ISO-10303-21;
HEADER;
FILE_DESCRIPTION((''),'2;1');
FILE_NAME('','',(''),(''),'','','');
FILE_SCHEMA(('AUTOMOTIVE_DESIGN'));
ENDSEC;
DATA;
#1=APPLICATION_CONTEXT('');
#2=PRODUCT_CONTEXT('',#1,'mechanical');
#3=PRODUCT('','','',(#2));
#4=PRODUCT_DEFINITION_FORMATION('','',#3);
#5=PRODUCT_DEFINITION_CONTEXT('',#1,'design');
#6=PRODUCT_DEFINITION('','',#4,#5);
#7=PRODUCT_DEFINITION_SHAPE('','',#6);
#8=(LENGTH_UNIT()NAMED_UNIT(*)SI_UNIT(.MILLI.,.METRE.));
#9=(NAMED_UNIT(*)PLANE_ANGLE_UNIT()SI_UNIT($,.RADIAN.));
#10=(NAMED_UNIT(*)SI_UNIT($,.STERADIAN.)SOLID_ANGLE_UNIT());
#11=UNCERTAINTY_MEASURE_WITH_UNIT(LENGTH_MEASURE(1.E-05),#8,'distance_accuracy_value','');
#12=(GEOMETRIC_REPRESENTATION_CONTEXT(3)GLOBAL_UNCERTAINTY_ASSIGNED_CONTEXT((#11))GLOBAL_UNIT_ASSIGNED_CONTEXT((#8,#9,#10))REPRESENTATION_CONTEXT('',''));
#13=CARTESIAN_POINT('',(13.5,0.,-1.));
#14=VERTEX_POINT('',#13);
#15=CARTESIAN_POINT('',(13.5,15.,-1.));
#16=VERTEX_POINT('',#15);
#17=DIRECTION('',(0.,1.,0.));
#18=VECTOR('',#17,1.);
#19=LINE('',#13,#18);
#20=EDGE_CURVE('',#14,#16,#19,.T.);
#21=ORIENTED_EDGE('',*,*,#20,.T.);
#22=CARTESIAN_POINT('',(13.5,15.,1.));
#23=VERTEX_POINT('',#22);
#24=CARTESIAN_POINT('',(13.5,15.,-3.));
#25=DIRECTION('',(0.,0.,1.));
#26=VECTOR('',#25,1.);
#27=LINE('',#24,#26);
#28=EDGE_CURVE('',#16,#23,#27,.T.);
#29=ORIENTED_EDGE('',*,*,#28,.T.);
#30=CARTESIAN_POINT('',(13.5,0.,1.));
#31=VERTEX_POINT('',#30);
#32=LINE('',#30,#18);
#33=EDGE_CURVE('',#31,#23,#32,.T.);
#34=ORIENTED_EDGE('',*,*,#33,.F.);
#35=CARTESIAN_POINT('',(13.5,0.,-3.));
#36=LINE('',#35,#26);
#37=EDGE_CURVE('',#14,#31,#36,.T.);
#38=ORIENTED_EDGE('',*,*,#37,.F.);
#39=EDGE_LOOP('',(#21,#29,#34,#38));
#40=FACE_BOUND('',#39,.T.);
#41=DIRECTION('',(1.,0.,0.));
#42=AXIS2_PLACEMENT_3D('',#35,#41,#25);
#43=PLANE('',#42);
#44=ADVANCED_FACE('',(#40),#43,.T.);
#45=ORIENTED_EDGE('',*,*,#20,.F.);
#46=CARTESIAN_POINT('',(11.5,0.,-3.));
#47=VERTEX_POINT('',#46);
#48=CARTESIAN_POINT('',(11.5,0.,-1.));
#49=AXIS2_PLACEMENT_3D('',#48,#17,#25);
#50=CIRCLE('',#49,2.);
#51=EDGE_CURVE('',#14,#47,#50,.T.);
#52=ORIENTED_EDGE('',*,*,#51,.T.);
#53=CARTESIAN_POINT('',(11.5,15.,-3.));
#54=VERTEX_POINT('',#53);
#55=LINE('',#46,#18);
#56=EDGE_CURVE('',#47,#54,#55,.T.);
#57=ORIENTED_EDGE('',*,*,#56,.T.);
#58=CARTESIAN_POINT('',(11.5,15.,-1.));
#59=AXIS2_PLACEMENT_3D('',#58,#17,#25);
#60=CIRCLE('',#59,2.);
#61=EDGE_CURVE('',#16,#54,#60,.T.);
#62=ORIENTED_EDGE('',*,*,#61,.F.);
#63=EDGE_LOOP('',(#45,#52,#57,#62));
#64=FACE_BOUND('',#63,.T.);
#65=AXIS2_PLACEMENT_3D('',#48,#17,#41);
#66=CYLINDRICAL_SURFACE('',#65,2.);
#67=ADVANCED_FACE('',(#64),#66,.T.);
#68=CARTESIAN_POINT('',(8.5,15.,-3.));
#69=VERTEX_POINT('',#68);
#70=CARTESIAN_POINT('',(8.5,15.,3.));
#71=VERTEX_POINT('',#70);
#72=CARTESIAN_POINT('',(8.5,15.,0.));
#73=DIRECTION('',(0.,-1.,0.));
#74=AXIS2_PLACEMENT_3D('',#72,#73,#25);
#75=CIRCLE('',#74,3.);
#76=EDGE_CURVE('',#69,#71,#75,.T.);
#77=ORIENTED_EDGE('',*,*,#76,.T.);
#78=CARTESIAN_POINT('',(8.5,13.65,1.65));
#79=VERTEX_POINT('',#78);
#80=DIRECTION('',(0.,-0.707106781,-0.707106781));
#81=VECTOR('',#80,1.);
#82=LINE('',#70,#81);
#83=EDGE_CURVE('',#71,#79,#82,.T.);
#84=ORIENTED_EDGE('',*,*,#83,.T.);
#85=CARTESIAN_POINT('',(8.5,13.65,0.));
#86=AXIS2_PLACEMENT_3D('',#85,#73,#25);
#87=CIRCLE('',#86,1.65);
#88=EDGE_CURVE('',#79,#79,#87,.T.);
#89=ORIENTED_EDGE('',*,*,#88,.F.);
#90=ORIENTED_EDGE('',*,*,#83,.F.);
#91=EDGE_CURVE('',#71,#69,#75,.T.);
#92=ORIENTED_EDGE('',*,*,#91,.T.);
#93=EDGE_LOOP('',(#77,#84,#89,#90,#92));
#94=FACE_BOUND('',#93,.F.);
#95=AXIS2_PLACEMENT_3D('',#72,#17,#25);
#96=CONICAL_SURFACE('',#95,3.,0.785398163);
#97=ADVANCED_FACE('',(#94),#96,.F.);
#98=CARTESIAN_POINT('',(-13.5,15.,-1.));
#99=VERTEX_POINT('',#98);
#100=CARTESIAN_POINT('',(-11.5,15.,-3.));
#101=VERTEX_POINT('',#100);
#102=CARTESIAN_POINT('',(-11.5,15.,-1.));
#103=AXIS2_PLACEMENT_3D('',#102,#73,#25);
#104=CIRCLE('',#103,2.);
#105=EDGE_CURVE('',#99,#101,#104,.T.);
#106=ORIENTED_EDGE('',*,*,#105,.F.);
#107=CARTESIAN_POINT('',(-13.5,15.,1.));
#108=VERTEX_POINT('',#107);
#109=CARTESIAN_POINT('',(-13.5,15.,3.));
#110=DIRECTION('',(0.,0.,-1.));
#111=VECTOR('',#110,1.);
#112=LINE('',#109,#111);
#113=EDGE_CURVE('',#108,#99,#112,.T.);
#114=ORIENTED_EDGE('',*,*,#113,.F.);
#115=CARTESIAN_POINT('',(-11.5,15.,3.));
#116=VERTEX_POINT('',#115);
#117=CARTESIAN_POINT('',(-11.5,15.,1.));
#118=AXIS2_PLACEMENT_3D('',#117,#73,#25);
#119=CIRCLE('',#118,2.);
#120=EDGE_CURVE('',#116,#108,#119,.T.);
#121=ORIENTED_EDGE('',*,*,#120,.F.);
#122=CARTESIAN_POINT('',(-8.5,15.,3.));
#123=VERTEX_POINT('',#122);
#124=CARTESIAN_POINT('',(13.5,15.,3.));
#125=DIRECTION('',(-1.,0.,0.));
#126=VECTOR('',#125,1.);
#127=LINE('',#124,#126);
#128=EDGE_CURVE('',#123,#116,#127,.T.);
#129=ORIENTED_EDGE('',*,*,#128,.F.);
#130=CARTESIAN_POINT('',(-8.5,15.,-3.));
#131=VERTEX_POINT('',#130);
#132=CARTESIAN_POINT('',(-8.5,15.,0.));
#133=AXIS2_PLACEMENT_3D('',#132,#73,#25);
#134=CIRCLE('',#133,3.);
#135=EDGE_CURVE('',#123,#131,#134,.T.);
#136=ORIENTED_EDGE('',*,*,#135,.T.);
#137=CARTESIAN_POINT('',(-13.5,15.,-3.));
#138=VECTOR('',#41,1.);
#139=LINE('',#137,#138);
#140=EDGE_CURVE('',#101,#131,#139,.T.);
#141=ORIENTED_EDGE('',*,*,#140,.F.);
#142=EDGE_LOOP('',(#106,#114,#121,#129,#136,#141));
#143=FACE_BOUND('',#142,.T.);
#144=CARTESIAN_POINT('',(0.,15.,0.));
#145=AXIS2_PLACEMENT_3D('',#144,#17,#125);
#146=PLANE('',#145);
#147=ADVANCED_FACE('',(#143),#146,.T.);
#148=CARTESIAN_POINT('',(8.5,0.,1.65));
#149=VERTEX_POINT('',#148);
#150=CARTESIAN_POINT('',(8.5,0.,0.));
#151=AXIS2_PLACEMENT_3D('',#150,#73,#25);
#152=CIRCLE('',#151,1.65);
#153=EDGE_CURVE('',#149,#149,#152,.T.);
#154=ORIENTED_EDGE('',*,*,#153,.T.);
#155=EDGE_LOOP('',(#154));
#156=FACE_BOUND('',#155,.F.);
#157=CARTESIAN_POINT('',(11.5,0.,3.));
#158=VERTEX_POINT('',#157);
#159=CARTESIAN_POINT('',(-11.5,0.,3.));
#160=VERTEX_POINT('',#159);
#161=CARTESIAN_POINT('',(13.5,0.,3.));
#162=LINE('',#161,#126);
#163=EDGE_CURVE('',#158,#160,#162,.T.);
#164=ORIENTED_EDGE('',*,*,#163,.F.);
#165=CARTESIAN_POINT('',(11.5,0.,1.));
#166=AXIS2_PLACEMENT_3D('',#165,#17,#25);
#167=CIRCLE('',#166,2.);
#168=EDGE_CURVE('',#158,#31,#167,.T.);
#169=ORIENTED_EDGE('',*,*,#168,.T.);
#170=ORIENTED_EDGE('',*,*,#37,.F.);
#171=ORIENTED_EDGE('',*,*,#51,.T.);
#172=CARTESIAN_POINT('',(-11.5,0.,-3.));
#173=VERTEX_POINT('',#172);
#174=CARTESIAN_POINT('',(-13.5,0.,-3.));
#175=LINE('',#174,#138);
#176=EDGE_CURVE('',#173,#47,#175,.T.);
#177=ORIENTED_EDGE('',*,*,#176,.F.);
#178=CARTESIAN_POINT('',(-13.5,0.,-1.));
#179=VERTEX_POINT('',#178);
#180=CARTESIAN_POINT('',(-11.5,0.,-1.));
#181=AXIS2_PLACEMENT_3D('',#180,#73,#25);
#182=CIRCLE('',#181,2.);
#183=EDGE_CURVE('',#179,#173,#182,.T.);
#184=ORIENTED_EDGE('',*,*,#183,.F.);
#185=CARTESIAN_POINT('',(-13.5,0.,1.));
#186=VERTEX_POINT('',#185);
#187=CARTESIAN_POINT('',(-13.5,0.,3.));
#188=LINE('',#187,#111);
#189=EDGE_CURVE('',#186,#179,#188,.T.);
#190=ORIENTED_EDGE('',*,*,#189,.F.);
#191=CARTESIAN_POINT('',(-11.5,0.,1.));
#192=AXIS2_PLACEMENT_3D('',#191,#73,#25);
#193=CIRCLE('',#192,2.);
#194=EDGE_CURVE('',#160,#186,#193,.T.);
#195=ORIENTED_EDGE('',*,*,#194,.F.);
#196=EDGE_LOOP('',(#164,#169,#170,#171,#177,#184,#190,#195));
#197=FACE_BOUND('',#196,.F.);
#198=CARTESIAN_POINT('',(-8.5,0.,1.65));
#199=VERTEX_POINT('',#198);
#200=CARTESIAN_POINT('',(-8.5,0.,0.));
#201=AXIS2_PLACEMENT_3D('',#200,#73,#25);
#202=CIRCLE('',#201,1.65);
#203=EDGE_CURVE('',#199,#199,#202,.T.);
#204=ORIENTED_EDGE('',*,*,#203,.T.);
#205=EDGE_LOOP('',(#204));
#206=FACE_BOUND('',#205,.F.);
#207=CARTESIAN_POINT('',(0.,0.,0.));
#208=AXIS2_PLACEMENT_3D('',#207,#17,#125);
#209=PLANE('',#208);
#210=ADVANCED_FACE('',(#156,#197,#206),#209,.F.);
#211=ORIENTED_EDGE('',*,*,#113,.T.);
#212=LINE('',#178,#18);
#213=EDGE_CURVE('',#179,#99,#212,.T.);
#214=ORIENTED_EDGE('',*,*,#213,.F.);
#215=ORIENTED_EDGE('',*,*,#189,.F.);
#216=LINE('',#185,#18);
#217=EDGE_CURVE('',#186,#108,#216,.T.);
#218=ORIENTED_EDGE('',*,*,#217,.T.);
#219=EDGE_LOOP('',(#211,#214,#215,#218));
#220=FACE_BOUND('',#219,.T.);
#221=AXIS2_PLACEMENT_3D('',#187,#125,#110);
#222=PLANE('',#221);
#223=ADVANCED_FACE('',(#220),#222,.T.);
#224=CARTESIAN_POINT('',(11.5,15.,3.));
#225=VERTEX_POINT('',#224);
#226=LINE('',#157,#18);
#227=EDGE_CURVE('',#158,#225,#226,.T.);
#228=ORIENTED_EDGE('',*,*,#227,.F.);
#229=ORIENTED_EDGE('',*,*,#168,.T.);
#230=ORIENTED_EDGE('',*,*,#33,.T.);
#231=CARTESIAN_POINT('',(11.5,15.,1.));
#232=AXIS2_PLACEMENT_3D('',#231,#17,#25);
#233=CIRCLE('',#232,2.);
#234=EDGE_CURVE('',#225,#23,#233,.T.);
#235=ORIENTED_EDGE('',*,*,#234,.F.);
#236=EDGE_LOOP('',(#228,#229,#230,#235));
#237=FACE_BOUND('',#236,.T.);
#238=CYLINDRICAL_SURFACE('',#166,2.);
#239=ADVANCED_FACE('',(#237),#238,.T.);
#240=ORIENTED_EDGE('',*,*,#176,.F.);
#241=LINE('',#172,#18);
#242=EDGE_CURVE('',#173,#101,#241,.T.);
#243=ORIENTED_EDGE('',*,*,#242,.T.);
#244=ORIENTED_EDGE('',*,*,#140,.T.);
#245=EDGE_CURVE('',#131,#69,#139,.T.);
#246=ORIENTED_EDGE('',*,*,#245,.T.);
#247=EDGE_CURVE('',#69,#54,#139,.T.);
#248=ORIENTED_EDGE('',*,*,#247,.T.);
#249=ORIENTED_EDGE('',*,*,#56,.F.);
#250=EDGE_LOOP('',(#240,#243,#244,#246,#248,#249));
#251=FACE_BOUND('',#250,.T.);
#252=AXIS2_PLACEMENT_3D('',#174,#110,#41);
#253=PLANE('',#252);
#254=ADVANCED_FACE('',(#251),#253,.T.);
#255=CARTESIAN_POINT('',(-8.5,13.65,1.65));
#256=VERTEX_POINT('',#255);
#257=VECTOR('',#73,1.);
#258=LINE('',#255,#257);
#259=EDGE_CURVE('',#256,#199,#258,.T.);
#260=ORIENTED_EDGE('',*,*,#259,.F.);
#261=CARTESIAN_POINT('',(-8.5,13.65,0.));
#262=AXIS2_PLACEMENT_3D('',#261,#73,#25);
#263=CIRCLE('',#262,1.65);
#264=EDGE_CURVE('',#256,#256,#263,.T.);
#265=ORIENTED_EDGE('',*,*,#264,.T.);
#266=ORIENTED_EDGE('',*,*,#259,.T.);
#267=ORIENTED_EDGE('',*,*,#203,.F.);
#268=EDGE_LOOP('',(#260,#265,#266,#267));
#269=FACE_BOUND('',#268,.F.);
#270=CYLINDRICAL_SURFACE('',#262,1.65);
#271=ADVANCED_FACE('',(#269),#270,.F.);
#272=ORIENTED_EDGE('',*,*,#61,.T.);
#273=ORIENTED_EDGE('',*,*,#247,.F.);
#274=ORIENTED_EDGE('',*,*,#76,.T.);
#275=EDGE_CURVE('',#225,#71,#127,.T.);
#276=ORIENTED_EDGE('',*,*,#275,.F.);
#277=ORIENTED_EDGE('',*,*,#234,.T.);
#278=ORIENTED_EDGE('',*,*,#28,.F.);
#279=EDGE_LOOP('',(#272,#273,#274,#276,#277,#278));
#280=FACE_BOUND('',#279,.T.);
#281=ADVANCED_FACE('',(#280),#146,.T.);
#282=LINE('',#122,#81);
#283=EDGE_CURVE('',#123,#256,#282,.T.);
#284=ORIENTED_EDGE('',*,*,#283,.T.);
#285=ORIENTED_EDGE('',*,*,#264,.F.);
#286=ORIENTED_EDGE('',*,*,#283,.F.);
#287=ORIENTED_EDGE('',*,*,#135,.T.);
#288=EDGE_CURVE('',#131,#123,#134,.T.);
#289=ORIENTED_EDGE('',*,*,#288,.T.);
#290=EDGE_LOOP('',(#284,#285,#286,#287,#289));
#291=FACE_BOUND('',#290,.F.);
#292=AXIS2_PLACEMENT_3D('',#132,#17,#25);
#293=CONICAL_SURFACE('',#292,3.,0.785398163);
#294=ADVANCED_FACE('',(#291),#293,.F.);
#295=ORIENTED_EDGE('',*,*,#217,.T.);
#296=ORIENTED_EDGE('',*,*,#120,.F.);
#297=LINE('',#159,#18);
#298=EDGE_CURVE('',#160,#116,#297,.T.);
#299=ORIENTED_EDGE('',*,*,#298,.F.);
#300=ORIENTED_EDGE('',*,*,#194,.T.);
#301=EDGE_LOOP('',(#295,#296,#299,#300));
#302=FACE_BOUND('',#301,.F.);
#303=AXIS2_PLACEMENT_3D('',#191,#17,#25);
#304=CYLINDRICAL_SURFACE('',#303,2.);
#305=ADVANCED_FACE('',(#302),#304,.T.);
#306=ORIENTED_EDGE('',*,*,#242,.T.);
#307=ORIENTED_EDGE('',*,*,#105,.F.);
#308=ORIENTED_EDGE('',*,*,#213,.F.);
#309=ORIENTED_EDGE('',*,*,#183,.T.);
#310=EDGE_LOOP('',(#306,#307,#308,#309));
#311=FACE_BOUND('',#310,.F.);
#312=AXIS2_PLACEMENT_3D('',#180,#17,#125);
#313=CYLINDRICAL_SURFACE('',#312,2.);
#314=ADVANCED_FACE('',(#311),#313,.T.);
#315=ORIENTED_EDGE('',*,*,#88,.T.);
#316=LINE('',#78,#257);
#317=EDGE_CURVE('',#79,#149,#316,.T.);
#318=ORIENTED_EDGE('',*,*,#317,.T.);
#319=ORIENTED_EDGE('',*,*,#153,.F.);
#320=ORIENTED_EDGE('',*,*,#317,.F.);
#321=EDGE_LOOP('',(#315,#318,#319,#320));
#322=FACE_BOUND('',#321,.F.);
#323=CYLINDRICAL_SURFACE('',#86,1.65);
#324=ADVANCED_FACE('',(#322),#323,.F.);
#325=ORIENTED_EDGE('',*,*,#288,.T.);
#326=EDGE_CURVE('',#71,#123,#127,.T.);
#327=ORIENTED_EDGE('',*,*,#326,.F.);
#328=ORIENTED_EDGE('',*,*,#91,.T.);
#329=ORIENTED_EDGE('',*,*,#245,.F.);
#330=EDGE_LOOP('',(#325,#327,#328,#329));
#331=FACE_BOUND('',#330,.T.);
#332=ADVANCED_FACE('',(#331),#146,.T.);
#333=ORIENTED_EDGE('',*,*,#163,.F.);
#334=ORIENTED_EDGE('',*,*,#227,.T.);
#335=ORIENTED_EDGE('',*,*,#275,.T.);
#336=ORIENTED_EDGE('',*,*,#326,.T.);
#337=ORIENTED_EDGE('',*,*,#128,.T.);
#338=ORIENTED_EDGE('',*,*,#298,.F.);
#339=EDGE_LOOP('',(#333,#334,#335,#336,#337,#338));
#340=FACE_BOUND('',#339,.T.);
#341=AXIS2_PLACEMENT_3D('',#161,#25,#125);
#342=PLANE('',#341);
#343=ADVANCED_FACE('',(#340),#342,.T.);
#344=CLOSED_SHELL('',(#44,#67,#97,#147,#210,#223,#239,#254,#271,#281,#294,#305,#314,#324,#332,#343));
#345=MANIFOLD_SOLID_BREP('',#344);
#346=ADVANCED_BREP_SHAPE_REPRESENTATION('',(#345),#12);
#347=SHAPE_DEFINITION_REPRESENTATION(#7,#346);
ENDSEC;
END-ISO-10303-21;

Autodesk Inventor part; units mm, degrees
ref_plane "YZ Plane" through (0, 0, 0) normal (1, 0, 0) x (0, 1, 0)
ref_plane "XZ Plane" through (0, 0, 0) normal (0, 1, 0) x (-1, 0, 0)
ref_plane "XY Plane" through (0, 0, 0) normal (0, 0, 1) x (1, 0, 0)
sketch "Sketch1" plane through (0, 0, 0) normal (0, 1, 0) x (-1, 0, 0)
  line L0 (-13.5, 3) -> (13.5, 3)
  line L1 (13.5, 3) -> (13.5, -3)
  line L2 (13.5, -3) -> (-13.5, -3)
  line L3 (-13.5, -3) -> (-13.5, 3)
  line L4 (-13.5, 3) -> (13.5, -3) construction
  line L5 (13.5, 3) -> (-13.5, -3) construction
  point P0 (0, 0)
  dimension "d0" = 27
  dimension "d1" = 6
extrude "Extrusion1" add sketch "Sketch1" along normal blind 15
sketch "Sketch2" plane through (0, 15, 0) normal (0, 1, 0) x (1, 0, 0)
  line L0 (-8.5, 0) -> (8.5, 0)
  point P0 (0, 0)
  point P1 (0, 0)
  dimension "d4" = 17
hole "Hole1" at (-8.5, 15, 0) at (8.5, 15, 0) direction (0, -1, 0) diameter 3.3 end through all countersink diameter 6 countersink angle 90
fillet "Fillet1" radius 2 4 edges at (-13.5, 7.5, 3) (-13.5, 7.5, -3) (13.5, 7.5, -3) (13.5, 7.5, 3)
properties part number "FixLock"
